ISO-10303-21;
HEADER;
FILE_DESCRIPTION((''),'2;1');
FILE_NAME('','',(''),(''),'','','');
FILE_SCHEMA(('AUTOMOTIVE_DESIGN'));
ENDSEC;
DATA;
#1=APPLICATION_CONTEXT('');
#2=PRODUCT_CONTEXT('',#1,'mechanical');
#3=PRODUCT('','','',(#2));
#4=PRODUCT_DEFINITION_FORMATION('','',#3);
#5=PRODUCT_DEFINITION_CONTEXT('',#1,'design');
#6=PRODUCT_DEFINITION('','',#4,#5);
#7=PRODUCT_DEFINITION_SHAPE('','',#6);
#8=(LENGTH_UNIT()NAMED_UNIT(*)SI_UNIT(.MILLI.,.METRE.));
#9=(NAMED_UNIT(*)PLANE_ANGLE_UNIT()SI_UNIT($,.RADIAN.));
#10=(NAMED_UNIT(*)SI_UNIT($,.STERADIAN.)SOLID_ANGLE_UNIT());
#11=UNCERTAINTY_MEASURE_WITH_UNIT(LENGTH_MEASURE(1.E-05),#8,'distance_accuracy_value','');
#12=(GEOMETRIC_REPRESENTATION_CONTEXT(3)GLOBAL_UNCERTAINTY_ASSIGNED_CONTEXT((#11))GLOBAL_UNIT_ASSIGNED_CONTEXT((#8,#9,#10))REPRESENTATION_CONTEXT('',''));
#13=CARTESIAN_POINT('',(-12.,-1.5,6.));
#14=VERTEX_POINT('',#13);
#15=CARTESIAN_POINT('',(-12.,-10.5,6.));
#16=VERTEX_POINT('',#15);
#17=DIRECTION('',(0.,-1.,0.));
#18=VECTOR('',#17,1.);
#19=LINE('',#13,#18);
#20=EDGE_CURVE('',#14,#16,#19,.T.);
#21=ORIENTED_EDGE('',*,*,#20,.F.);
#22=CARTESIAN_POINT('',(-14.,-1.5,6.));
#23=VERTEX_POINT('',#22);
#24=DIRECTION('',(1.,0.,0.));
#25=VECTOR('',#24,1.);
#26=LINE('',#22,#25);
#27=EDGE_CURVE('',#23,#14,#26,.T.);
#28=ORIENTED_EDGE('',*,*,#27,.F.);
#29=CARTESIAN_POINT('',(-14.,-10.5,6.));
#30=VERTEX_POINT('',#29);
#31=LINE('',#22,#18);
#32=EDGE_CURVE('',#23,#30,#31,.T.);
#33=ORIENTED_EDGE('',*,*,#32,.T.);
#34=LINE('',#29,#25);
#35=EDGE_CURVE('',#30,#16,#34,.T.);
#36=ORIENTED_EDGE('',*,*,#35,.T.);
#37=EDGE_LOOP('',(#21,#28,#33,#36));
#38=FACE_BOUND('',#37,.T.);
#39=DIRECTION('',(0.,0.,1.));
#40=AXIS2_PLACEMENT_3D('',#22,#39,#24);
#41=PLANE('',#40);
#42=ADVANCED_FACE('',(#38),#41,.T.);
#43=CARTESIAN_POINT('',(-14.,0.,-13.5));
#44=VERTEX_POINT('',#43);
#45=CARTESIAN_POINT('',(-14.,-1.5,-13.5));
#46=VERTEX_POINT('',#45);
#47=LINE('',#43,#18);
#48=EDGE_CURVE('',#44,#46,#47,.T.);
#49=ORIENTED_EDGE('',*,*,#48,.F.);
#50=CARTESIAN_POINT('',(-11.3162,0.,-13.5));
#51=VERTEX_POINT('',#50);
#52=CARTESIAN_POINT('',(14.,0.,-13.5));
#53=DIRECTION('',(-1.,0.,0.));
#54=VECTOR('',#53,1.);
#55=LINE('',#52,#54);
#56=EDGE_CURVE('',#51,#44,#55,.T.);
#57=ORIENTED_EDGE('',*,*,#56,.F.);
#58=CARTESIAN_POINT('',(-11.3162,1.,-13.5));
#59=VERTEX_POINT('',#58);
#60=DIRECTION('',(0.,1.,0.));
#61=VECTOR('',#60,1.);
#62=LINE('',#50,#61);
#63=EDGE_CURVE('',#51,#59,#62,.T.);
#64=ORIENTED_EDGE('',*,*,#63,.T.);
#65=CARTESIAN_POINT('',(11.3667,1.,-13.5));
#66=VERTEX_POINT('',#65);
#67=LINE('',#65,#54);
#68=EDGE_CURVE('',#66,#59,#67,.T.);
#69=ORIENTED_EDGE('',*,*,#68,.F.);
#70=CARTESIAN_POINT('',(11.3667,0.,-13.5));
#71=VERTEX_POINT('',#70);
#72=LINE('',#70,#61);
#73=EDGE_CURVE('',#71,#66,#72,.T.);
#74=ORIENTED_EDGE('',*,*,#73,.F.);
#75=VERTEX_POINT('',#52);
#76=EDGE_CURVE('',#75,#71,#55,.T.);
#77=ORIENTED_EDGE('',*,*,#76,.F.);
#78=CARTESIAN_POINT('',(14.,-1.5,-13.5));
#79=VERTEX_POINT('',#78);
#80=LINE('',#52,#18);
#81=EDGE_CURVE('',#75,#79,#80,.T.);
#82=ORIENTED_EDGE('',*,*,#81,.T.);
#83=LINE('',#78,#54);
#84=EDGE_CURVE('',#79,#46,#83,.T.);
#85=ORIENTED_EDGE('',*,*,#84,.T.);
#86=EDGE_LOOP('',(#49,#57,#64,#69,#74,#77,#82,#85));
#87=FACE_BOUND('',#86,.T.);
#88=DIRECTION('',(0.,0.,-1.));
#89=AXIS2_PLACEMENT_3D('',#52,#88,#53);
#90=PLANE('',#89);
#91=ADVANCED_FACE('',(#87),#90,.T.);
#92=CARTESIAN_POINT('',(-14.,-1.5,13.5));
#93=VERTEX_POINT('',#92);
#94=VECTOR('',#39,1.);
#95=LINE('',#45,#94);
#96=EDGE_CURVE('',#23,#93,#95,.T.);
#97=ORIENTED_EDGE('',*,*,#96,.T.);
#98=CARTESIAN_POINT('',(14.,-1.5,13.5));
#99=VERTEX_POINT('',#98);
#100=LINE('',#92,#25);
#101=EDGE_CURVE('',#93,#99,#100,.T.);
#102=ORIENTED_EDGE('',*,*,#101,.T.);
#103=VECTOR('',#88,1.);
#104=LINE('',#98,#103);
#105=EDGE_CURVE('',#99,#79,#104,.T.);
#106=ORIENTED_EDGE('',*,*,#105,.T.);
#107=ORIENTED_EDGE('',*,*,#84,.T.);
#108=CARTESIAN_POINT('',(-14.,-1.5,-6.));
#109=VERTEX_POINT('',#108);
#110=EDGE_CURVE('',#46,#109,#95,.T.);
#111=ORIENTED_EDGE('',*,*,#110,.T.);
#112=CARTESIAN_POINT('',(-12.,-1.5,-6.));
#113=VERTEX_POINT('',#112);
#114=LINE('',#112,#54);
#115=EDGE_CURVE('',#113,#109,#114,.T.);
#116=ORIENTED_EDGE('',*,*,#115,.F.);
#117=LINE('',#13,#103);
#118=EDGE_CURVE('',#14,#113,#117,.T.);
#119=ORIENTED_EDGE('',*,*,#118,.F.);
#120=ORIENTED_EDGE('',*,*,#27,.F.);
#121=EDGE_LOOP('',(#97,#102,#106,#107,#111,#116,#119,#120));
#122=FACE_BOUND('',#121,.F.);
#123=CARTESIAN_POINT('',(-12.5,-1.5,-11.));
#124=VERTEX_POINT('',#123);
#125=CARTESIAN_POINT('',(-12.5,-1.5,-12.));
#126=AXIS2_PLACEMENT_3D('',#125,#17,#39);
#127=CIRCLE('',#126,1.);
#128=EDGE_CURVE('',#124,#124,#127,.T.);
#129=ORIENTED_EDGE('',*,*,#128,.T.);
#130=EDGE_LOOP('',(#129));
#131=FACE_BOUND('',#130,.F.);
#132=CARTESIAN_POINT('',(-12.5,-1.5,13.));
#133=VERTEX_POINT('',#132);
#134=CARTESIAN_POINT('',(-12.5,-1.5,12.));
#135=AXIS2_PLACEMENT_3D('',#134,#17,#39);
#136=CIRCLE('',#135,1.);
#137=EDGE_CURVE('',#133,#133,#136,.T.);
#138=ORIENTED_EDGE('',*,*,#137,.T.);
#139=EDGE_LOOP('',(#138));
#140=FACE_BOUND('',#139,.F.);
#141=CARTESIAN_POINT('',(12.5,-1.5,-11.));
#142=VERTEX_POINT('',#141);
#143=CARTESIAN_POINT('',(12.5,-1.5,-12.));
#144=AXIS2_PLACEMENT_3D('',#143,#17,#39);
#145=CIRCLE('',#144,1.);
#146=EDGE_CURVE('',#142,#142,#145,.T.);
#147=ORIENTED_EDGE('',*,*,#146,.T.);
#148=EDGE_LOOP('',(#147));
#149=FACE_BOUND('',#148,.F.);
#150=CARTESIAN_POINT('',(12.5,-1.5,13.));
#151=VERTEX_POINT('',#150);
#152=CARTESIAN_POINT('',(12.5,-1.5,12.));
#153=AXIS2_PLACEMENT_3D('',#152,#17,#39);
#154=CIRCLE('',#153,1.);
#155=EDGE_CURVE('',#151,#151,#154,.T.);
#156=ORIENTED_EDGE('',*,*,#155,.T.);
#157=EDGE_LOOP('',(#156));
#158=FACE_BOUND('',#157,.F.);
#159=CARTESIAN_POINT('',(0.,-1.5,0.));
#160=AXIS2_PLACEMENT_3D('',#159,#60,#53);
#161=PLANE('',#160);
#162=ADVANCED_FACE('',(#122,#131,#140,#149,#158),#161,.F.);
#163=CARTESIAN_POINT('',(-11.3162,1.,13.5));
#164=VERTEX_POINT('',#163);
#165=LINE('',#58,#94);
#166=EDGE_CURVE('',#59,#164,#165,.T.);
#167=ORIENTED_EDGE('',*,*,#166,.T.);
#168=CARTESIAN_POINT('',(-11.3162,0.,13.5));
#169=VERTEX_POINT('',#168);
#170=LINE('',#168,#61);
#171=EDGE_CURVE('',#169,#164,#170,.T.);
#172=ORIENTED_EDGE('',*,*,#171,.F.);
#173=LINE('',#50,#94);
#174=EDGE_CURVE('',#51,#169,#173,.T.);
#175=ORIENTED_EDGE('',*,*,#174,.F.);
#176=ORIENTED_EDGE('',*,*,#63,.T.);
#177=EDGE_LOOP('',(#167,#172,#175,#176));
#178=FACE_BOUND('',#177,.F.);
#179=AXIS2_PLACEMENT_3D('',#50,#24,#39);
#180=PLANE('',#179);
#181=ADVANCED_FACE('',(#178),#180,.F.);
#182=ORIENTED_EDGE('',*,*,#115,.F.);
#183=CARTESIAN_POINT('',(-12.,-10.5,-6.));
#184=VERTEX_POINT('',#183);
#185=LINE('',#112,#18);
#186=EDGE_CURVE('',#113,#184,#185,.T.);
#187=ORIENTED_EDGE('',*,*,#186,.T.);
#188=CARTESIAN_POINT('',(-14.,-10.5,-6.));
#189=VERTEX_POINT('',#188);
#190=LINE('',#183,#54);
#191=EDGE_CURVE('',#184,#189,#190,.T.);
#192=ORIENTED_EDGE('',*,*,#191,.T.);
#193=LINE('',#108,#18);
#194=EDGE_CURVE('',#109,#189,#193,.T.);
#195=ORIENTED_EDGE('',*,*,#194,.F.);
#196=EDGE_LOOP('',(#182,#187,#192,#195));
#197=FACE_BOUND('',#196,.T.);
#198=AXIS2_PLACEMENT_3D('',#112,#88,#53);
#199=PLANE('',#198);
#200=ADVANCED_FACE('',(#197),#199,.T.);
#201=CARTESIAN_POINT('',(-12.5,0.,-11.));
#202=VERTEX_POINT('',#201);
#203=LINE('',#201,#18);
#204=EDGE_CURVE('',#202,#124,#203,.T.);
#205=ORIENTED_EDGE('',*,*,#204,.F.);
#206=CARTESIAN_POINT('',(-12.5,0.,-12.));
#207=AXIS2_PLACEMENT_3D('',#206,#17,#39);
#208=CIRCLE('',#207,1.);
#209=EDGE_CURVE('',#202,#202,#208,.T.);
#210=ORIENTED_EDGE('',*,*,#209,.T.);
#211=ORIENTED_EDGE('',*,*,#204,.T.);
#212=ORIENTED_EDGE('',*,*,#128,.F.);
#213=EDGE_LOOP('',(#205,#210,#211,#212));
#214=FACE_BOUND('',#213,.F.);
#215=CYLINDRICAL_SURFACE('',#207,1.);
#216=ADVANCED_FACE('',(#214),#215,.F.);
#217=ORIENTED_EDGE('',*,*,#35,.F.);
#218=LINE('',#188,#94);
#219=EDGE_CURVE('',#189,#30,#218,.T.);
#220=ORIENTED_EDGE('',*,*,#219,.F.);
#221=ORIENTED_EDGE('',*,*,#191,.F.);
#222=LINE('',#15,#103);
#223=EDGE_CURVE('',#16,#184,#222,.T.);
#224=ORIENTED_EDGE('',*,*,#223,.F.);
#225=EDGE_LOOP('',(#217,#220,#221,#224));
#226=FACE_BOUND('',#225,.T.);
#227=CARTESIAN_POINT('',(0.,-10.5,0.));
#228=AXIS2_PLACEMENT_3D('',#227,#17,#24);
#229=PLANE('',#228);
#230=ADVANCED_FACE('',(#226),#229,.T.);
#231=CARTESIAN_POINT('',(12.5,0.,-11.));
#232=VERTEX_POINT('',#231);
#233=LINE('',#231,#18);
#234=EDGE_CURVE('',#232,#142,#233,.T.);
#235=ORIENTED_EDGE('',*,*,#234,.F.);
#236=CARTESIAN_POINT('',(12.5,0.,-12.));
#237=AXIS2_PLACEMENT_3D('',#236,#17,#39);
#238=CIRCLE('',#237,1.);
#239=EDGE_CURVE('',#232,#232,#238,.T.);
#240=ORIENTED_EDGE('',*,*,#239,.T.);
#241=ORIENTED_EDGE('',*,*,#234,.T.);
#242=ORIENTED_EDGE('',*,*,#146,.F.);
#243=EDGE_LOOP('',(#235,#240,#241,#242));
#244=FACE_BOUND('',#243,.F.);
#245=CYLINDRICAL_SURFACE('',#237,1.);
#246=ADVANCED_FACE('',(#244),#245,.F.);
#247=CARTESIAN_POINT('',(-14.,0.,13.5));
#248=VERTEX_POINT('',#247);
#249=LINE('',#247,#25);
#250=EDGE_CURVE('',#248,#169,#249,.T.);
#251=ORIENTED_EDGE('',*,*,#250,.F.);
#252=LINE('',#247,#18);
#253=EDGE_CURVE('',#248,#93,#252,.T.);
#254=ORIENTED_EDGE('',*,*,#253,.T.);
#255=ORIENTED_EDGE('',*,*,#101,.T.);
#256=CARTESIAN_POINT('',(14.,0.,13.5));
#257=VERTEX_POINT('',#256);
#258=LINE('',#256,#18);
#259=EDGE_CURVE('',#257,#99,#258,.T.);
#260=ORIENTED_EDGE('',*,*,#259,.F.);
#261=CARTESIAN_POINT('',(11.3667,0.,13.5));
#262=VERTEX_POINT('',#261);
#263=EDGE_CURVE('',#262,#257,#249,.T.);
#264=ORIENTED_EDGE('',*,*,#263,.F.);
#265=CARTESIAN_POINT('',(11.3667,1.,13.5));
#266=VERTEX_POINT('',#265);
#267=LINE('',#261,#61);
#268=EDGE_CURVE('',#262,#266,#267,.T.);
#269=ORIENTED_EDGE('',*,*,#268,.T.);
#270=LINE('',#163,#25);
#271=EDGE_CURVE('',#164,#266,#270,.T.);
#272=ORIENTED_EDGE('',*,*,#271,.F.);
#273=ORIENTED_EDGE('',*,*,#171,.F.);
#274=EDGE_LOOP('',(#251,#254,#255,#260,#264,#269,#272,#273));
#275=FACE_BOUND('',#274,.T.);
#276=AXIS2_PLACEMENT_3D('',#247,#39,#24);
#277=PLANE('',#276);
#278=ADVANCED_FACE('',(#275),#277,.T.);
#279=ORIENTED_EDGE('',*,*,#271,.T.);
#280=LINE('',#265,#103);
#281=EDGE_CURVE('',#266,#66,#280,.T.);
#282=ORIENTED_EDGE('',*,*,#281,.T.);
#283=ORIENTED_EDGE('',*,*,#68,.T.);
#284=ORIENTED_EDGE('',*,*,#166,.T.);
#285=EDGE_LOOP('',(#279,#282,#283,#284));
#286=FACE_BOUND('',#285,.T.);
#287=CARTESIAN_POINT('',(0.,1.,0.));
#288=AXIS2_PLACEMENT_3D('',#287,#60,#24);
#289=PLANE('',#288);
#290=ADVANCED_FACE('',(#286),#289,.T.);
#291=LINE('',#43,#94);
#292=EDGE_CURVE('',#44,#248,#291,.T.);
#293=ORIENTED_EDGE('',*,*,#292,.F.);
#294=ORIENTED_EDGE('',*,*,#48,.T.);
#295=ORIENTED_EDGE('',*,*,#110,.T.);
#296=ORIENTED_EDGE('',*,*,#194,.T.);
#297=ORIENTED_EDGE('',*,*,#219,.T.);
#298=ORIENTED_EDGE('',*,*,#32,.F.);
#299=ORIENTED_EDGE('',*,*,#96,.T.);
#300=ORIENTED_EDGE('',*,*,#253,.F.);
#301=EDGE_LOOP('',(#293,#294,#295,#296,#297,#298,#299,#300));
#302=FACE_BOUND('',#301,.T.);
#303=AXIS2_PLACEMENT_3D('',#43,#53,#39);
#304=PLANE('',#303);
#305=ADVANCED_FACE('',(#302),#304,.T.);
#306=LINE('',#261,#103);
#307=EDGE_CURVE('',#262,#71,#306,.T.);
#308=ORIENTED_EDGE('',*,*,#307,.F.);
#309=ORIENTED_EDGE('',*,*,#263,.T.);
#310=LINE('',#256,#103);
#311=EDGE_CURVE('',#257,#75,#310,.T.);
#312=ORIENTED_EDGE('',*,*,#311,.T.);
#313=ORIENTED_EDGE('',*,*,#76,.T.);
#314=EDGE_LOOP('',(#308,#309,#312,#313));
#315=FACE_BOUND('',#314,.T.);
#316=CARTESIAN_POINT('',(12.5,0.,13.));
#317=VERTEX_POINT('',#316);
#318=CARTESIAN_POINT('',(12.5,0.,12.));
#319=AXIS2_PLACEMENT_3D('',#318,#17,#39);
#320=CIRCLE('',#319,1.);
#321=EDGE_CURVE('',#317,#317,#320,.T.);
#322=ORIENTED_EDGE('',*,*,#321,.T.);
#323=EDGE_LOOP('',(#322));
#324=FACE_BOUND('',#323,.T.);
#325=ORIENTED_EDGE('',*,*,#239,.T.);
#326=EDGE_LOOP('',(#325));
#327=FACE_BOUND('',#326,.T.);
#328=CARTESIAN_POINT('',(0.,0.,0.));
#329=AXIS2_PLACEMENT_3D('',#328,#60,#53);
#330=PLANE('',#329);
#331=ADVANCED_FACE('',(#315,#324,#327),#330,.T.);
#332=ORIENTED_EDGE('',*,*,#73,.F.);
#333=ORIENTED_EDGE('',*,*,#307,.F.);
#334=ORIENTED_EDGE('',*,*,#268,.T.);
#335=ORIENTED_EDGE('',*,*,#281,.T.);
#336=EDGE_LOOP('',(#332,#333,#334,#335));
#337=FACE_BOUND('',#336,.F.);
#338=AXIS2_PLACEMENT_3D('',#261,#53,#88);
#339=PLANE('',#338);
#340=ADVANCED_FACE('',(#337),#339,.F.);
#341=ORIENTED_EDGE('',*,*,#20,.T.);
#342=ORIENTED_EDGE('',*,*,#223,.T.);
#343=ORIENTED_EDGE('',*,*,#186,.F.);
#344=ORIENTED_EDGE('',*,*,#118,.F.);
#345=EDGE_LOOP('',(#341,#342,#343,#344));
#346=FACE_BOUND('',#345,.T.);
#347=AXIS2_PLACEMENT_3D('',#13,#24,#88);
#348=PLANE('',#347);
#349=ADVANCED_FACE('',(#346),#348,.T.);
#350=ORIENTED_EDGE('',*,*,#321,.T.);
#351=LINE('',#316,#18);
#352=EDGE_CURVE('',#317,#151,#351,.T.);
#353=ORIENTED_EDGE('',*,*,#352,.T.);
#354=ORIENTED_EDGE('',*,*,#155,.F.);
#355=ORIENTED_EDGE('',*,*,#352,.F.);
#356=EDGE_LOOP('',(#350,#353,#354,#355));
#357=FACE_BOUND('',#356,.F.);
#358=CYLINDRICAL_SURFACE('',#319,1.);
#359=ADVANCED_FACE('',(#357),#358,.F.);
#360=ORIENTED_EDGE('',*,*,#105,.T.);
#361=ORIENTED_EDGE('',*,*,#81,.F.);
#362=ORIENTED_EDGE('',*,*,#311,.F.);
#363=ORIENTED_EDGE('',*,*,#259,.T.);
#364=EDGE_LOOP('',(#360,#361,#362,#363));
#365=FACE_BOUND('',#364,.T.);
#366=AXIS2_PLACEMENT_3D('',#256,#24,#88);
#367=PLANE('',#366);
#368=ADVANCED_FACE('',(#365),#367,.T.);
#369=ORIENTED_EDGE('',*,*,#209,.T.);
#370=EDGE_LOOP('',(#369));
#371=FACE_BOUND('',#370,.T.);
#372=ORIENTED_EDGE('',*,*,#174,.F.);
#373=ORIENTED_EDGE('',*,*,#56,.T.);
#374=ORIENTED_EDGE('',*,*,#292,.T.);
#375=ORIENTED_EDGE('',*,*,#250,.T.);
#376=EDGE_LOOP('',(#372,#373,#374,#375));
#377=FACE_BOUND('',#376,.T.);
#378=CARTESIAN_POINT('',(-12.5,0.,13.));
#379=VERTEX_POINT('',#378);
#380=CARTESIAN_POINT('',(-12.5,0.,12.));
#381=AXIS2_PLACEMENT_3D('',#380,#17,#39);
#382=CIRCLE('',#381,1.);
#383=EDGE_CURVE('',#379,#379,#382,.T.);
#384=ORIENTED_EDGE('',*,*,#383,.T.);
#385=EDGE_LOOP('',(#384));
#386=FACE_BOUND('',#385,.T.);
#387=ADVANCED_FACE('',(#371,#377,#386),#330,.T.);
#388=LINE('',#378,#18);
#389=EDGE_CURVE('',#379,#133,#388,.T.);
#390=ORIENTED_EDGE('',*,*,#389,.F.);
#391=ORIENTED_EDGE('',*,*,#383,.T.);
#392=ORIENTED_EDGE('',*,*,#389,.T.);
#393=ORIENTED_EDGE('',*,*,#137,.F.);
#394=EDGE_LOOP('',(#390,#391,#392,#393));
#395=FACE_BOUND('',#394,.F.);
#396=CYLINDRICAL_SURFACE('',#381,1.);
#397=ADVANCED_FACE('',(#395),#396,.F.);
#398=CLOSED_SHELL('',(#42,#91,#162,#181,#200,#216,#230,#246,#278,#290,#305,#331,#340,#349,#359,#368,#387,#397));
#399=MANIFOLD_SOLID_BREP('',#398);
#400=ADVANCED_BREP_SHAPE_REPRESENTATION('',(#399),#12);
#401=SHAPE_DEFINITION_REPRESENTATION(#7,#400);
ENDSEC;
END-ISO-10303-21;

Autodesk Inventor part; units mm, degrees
ref_plane "YZ Plane" through (0, 0, 0) normal (1, 0, 0) x (0, 1, 0)
ref_plane "XZ Plane" through (0, 0, 0) normal (0, 1, 0) x (-1, 0, 0)
ref_plane "XY Plane" through (0, 0, 0) normal (0, 0, 1) x (1, 0, 0)
sketch "Sketch1" plane through (0, 0, 0) normal (0, 1, 0) x (-1, 0, 0)
  line L0 (14, 13.5) -> (-14, 13.5)
  line L1 (-14, 13.5) -> (-14, -13.5)
  line L2 (-14, -13.5) -> (14, -13.5)
  line L3 (14, -13.5) -> (14, 13.5)
  line L4 (14, 13.5) -> (-14, -13.5) construction
  line L5 (-14, 13.5) -> (14, -13.5) construction
  line L6 (12.5, 12) -> (-12.5, 12)
  line L7 (-12.5, 12) -> (-12.5, -12)
  line L8 (-12.5, -12) -> (12.5, -12)
  line L9 (12.5, -12) -> (12.5, 12)
  point P0 (0, 0)
  dimension "d0" = 28
  dimension "d1" = 27
  dimension "d2" = 1.5
extrude "Extrusion1" add sketch "Sketch1" against normal blind 1.5 contours L3 L2 L1 L0 | L9 L8 L7 L6
hole "Hole1" at (-12.5, 0, 12) at (-12.5, 0, -12) at (12.5, 0, -12) at (12.5, 0, 12) direction (0, -1, 0) diameter 2 end through all
sketch "Sketch2" plane through (0, 0, 0) normal (0, 1, 0) x (1, 0, 0)
  circle A0 centre (12.5, 12) radius 1 construction
  circle A1 centre (-12.5, -12) radius 1 construction
  circle A2 centre (-12.5, 12) radius 1 construction
  circle A3 centre (12.5, -12) radius 1 construction
  line L0 (14, -13.5) -> (14, 13.5) construction
  line L1 (14, 13.5) -> (-14, 13.5) construction
  line L2 (-14, 13.5) -> (-14, -13.5) construction
  line L3 (-14, -13.5) -> (14, -13.5) construction
  line L4 (-11.3162, -13.5) -> (11.3667, -13.5)
  line L5 (11.3667, -13.5) -> (11.3667, 13.5)
  line L6 (11.3667, 13.5) -> (-11.3162, 13.5)
  line L7 (-11.3162, 13.5) -> (-11.3162, -13.5)
  point P0 (0, 0)
extrude "Extrusion2" add sketch "Sketch2" along normal blind 1
sketch "Sketch3" plane through (0, -1.5, 0) normal (0, -1, 0) x (1, 0, 0)
  line L0 (-14, 6) -> (-12, 6)
  line L1 (-12, 6) -> (-12, -6)
  line L2 (-12, -6) -> (-14, -6)
  line L3 (-14, -6) -> (-14, 6)
  line L4 (-14, 6) -> (-12, -6) construction
  line L5 (-12, 6) -> (-14, -6) construction
  line L6 (-14, 13.5) -> (-14, -13.5) projected
  point P0 (0, 0)
  point P1 (-13, 0)
  point P2 (-14, 0)
  dimension "d14" = 2
  dimension "d15" = 12
extrude "Extrusion3" add sketch "Sketch3" along normal blind 9
properties part number "screen_footprint"
